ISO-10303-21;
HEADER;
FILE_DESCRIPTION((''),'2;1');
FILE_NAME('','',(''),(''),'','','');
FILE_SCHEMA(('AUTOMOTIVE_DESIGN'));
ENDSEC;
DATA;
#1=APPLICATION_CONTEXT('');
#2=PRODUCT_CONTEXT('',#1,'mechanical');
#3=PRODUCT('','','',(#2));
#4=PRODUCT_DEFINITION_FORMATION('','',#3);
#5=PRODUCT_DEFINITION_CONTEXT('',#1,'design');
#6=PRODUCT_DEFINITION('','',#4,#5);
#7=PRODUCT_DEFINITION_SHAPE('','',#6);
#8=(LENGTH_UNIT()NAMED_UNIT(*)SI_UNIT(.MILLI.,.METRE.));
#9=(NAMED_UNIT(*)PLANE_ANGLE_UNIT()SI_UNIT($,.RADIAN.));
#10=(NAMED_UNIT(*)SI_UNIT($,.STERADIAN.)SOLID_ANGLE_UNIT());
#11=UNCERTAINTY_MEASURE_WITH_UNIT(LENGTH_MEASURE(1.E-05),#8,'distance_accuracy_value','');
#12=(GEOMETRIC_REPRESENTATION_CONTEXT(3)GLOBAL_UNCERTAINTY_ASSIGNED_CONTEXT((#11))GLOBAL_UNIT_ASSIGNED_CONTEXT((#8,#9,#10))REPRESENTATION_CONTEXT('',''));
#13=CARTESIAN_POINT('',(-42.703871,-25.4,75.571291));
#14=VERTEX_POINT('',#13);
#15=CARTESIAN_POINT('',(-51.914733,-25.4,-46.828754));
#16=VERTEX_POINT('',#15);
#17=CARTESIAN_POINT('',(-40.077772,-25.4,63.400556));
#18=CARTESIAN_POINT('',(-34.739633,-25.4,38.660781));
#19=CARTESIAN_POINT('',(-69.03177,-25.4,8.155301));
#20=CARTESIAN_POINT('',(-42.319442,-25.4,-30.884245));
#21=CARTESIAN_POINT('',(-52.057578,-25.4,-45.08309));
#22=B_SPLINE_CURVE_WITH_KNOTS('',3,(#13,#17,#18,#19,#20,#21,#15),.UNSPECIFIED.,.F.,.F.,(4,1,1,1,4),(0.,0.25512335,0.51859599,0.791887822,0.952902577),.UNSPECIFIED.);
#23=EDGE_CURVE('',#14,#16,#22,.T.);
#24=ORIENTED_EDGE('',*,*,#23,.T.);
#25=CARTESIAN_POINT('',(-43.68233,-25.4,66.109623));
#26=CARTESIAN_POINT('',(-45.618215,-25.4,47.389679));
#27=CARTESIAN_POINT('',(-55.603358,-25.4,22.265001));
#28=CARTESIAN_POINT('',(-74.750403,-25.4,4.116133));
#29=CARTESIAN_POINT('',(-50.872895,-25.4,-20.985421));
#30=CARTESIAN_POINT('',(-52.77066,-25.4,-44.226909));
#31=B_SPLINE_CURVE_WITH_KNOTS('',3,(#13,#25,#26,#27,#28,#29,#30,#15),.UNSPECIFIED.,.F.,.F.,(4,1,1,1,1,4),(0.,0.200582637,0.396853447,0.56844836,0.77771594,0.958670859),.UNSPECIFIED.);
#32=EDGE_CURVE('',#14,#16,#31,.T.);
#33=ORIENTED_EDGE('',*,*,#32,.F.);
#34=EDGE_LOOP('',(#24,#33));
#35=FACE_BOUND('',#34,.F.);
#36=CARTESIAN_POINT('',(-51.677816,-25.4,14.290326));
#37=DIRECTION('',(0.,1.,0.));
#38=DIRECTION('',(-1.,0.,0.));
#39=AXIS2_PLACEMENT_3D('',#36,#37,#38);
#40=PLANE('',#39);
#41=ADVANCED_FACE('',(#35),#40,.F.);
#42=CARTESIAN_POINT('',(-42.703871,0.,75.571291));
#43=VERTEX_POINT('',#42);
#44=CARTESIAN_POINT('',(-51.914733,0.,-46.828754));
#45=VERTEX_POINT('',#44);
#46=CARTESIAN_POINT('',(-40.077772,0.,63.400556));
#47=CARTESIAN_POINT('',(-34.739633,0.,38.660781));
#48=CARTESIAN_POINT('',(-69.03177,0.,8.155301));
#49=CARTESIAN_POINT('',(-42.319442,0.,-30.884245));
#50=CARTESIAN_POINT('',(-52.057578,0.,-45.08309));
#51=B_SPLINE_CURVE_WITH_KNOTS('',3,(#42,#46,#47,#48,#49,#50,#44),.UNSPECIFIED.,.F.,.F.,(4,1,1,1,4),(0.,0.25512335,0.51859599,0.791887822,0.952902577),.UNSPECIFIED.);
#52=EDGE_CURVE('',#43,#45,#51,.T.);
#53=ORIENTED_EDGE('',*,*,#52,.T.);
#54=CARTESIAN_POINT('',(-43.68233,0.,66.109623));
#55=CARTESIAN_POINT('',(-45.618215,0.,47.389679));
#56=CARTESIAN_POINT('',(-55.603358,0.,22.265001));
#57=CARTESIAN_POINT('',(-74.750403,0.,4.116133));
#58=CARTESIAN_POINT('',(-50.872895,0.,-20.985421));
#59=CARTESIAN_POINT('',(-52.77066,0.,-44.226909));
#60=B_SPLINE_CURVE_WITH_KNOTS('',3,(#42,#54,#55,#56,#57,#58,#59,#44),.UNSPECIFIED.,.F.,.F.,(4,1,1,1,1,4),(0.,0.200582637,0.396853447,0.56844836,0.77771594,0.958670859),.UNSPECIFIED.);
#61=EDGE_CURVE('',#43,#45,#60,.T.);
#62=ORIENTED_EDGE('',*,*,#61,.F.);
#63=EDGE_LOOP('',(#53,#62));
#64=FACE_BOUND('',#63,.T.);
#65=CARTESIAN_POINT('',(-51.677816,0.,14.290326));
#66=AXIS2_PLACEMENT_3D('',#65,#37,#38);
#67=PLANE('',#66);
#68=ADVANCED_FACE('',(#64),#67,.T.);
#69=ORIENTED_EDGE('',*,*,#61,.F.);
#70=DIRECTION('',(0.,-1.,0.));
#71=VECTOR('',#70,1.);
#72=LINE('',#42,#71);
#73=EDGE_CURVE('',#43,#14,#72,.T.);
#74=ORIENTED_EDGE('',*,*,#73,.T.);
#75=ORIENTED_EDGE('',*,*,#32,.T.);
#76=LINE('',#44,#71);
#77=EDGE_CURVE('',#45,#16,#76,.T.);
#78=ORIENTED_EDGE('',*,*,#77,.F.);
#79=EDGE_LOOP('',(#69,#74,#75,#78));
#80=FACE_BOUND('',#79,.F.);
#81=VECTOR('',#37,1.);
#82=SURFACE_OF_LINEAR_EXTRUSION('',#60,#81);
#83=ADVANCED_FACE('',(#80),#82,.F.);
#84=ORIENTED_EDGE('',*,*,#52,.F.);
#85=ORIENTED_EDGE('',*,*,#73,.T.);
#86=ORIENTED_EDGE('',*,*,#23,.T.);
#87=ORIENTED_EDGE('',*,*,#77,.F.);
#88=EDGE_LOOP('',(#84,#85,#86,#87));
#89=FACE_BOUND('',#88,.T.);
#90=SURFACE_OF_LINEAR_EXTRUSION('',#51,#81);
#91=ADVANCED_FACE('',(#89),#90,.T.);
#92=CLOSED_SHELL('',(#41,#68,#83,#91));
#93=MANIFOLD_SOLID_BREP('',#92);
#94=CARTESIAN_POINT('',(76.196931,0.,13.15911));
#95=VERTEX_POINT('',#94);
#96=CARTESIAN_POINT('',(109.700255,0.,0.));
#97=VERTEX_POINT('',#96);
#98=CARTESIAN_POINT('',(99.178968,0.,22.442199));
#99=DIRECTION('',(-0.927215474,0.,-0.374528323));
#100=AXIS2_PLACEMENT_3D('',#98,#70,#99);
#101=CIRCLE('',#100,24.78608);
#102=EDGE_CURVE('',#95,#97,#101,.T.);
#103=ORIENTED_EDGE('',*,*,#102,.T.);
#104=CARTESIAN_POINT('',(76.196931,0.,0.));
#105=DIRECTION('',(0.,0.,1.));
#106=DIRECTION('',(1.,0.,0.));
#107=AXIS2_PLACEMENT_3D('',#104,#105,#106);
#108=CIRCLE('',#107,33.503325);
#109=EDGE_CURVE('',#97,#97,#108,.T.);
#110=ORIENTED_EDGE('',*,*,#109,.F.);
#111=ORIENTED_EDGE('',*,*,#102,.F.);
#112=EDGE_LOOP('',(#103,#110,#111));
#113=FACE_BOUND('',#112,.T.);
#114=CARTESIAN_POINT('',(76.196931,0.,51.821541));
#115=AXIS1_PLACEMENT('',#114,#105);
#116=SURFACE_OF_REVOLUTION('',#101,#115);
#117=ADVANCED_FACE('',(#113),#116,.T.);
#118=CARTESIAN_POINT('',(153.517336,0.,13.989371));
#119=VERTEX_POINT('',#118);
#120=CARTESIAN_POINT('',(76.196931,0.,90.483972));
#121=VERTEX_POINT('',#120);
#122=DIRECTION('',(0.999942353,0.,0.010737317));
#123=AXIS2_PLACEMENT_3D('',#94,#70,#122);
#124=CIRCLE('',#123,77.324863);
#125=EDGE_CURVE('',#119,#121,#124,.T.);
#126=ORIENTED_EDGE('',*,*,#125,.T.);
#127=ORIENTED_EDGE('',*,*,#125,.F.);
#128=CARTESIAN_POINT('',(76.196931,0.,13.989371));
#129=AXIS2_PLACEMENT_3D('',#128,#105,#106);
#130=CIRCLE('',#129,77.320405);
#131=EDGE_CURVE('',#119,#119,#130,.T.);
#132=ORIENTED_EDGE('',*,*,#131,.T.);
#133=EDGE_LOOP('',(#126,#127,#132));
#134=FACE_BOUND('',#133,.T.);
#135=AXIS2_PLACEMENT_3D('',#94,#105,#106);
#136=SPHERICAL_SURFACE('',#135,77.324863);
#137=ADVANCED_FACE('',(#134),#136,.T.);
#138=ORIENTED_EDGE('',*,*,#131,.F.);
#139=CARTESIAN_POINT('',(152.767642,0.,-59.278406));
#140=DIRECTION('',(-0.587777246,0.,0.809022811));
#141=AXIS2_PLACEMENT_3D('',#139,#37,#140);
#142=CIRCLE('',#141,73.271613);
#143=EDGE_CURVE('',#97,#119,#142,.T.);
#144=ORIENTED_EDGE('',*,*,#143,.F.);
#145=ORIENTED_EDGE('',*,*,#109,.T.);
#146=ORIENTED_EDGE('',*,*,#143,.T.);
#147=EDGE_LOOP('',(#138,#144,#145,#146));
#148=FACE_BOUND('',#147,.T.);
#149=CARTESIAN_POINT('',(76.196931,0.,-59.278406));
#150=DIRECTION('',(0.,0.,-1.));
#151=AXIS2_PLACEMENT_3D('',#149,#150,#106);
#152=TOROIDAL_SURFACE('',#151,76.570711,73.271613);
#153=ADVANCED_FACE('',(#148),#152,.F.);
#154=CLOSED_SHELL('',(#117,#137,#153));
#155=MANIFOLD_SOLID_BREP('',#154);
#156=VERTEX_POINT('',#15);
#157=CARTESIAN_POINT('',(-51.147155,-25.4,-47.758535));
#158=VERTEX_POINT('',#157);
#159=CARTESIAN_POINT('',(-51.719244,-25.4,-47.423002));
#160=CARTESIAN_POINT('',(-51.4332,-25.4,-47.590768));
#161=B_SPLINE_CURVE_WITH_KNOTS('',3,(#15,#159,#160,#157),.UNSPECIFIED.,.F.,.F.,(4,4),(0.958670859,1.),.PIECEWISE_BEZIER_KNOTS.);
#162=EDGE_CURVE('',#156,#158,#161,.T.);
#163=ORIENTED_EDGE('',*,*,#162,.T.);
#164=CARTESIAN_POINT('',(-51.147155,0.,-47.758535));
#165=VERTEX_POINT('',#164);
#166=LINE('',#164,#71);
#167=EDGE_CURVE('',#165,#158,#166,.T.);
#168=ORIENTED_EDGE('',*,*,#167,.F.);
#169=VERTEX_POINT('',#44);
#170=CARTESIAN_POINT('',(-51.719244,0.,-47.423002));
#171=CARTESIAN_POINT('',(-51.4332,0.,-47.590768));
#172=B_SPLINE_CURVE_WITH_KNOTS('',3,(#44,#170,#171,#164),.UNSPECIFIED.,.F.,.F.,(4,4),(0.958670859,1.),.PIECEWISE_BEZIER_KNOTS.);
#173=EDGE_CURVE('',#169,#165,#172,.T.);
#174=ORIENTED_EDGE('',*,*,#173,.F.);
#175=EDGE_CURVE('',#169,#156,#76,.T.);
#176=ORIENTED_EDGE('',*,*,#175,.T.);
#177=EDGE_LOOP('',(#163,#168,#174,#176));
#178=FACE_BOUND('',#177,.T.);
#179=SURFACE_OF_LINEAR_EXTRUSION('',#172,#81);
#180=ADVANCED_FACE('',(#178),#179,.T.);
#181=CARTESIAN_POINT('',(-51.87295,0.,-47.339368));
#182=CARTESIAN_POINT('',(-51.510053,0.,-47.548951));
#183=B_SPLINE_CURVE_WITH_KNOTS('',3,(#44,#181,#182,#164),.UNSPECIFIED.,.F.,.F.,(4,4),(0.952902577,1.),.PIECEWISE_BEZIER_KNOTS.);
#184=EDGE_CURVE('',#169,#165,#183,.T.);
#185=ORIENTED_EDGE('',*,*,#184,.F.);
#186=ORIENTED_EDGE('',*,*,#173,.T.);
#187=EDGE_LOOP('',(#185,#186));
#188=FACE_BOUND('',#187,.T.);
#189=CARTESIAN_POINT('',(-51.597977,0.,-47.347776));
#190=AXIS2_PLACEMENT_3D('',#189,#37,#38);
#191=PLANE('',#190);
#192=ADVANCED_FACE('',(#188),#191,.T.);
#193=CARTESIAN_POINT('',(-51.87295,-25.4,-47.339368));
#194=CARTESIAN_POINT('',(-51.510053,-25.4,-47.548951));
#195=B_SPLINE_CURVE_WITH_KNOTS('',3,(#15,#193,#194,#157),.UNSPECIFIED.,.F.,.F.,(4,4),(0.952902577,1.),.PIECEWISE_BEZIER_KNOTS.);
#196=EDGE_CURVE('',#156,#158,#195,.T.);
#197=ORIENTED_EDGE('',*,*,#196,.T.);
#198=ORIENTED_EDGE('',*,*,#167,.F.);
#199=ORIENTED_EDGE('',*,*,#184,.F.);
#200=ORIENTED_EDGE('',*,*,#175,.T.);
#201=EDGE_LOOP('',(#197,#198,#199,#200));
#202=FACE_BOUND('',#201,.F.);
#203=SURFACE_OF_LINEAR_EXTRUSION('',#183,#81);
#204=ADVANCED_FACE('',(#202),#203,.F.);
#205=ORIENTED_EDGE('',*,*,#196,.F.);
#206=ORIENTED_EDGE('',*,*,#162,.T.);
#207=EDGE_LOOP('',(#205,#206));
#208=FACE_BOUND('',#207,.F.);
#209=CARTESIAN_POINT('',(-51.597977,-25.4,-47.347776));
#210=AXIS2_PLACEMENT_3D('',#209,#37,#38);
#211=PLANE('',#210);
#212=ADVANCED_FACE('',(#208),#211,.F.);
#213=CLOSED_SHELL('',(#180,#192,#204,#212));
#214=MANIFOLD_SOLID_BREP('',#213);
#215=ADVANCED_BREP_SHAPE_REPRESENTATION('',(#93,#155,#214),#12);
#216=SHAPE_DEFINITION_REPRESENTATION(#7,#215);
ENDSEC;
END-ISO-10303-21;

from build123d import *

# Parameters (mm, degrees)
F3_DEPTH = 25.4


with BuildPart() as f1:
    # F0 (on Front) → F1 (revolve)
    with BuildSketch(Plane.XZ):
        with BuildLine():
            ThreePointArc((109.700255096, 0), (130.4826152428, 10.5220725725), (153.5173356533, 13.9893712476))
            ThreePointArc((153.5173356533, 13.9893712476), (130.5795312432, 68.1288024678), (76.1969305056, 90.4839723626))
            Line((76.1969305056, 90.4839723626), (76.1969305056, 13.1591096957))
            ThreePointArc((76.1969305056, 13.1591096957), (90.1176149548, -0.6281645097), (109.700255096, 0))
        make_face()
    revolve(axis=Axis((76.1969305056, 0, 51.8215410291), (0, 0, 1)))


with BuildPart() as f3:
    # F2 (on Front) → F3 (new body)
    with BuildSketch(Plane.XZ):
        with BuildLine():
            add(Edge.make_bspline(
                [(-51.9147328996, -46.8287542572), (-51.719243746, -47.4230017526), (-51.4331996062, -47.5907681509), (-51.1471554637, -47.7585345507)],
                knots=[0.958670859, 0.958670859, 0.958670859, 0.958670859, 1, 1, 1, 1], degree=3))
            add(Edge.make_bspline(
                [(-51.9147329023, -46.8287542578), (-51.8729501529, -47.3393676714), (-51.5100528103, -47.5489511099), (-51.1471554637, -47.7585345507)],
                knots=[0.9529025772, 0.9529025772, 0.9529025772, 0.9529025772, 1, 1, 1, 1], degree=3))
        make_face()
    extrude(amount=F3_DEPTH)


with BuildPart() as f3b:
    # F2 (on Front) → F3, piece 2 (new body)
    with BuildSketch(Plane.XZ):
        with BuildLine():
            add(Edge.make_bspline(
                [(-42.7038706839, 75.5712911487), (-40.0777723456, 63.4005560856), (-34.7396327057, 38.6607806019), (-69.0317696754, 8.1553012163), (-42.3194415279, -30.8842450909), (-52.0575780585, -45.0830898231), (-51.9147329032, -46.8287542462)],
                knots=[0, 0, 0, 0, 0.2551233501, 0.5185959903, 0.7918878218, 0.9529025772, 0.9529025772, 0.9529025772, 0.9529025772], degree=3))
            add(Edge.make_bspline(
                [(-42.7038706839, 75.5712911487), (-43.6823299334, 66.1096226405), (-45.618214968, 47.3896785271), (-55.6033582178, 22.2650005574), (-74.7504029058, 4.11613276), (-50.8728954972, -20.9854214489), (-52.7706598165, -44.2269094861), (-51.9147329032, -46.8287542462)],
                knots=[0, 0, 0, 0, 0.2005826372, 0.3968534466, 0.5684483596, 0.7777159404, 0.958670859, 0.958670859, 0.958670859, 0.958670859], degree=3))
        make_face()
    extrude(amount=F3_DEPTH)


solid = Compound([f1.part, f3.part, f3b.part])
